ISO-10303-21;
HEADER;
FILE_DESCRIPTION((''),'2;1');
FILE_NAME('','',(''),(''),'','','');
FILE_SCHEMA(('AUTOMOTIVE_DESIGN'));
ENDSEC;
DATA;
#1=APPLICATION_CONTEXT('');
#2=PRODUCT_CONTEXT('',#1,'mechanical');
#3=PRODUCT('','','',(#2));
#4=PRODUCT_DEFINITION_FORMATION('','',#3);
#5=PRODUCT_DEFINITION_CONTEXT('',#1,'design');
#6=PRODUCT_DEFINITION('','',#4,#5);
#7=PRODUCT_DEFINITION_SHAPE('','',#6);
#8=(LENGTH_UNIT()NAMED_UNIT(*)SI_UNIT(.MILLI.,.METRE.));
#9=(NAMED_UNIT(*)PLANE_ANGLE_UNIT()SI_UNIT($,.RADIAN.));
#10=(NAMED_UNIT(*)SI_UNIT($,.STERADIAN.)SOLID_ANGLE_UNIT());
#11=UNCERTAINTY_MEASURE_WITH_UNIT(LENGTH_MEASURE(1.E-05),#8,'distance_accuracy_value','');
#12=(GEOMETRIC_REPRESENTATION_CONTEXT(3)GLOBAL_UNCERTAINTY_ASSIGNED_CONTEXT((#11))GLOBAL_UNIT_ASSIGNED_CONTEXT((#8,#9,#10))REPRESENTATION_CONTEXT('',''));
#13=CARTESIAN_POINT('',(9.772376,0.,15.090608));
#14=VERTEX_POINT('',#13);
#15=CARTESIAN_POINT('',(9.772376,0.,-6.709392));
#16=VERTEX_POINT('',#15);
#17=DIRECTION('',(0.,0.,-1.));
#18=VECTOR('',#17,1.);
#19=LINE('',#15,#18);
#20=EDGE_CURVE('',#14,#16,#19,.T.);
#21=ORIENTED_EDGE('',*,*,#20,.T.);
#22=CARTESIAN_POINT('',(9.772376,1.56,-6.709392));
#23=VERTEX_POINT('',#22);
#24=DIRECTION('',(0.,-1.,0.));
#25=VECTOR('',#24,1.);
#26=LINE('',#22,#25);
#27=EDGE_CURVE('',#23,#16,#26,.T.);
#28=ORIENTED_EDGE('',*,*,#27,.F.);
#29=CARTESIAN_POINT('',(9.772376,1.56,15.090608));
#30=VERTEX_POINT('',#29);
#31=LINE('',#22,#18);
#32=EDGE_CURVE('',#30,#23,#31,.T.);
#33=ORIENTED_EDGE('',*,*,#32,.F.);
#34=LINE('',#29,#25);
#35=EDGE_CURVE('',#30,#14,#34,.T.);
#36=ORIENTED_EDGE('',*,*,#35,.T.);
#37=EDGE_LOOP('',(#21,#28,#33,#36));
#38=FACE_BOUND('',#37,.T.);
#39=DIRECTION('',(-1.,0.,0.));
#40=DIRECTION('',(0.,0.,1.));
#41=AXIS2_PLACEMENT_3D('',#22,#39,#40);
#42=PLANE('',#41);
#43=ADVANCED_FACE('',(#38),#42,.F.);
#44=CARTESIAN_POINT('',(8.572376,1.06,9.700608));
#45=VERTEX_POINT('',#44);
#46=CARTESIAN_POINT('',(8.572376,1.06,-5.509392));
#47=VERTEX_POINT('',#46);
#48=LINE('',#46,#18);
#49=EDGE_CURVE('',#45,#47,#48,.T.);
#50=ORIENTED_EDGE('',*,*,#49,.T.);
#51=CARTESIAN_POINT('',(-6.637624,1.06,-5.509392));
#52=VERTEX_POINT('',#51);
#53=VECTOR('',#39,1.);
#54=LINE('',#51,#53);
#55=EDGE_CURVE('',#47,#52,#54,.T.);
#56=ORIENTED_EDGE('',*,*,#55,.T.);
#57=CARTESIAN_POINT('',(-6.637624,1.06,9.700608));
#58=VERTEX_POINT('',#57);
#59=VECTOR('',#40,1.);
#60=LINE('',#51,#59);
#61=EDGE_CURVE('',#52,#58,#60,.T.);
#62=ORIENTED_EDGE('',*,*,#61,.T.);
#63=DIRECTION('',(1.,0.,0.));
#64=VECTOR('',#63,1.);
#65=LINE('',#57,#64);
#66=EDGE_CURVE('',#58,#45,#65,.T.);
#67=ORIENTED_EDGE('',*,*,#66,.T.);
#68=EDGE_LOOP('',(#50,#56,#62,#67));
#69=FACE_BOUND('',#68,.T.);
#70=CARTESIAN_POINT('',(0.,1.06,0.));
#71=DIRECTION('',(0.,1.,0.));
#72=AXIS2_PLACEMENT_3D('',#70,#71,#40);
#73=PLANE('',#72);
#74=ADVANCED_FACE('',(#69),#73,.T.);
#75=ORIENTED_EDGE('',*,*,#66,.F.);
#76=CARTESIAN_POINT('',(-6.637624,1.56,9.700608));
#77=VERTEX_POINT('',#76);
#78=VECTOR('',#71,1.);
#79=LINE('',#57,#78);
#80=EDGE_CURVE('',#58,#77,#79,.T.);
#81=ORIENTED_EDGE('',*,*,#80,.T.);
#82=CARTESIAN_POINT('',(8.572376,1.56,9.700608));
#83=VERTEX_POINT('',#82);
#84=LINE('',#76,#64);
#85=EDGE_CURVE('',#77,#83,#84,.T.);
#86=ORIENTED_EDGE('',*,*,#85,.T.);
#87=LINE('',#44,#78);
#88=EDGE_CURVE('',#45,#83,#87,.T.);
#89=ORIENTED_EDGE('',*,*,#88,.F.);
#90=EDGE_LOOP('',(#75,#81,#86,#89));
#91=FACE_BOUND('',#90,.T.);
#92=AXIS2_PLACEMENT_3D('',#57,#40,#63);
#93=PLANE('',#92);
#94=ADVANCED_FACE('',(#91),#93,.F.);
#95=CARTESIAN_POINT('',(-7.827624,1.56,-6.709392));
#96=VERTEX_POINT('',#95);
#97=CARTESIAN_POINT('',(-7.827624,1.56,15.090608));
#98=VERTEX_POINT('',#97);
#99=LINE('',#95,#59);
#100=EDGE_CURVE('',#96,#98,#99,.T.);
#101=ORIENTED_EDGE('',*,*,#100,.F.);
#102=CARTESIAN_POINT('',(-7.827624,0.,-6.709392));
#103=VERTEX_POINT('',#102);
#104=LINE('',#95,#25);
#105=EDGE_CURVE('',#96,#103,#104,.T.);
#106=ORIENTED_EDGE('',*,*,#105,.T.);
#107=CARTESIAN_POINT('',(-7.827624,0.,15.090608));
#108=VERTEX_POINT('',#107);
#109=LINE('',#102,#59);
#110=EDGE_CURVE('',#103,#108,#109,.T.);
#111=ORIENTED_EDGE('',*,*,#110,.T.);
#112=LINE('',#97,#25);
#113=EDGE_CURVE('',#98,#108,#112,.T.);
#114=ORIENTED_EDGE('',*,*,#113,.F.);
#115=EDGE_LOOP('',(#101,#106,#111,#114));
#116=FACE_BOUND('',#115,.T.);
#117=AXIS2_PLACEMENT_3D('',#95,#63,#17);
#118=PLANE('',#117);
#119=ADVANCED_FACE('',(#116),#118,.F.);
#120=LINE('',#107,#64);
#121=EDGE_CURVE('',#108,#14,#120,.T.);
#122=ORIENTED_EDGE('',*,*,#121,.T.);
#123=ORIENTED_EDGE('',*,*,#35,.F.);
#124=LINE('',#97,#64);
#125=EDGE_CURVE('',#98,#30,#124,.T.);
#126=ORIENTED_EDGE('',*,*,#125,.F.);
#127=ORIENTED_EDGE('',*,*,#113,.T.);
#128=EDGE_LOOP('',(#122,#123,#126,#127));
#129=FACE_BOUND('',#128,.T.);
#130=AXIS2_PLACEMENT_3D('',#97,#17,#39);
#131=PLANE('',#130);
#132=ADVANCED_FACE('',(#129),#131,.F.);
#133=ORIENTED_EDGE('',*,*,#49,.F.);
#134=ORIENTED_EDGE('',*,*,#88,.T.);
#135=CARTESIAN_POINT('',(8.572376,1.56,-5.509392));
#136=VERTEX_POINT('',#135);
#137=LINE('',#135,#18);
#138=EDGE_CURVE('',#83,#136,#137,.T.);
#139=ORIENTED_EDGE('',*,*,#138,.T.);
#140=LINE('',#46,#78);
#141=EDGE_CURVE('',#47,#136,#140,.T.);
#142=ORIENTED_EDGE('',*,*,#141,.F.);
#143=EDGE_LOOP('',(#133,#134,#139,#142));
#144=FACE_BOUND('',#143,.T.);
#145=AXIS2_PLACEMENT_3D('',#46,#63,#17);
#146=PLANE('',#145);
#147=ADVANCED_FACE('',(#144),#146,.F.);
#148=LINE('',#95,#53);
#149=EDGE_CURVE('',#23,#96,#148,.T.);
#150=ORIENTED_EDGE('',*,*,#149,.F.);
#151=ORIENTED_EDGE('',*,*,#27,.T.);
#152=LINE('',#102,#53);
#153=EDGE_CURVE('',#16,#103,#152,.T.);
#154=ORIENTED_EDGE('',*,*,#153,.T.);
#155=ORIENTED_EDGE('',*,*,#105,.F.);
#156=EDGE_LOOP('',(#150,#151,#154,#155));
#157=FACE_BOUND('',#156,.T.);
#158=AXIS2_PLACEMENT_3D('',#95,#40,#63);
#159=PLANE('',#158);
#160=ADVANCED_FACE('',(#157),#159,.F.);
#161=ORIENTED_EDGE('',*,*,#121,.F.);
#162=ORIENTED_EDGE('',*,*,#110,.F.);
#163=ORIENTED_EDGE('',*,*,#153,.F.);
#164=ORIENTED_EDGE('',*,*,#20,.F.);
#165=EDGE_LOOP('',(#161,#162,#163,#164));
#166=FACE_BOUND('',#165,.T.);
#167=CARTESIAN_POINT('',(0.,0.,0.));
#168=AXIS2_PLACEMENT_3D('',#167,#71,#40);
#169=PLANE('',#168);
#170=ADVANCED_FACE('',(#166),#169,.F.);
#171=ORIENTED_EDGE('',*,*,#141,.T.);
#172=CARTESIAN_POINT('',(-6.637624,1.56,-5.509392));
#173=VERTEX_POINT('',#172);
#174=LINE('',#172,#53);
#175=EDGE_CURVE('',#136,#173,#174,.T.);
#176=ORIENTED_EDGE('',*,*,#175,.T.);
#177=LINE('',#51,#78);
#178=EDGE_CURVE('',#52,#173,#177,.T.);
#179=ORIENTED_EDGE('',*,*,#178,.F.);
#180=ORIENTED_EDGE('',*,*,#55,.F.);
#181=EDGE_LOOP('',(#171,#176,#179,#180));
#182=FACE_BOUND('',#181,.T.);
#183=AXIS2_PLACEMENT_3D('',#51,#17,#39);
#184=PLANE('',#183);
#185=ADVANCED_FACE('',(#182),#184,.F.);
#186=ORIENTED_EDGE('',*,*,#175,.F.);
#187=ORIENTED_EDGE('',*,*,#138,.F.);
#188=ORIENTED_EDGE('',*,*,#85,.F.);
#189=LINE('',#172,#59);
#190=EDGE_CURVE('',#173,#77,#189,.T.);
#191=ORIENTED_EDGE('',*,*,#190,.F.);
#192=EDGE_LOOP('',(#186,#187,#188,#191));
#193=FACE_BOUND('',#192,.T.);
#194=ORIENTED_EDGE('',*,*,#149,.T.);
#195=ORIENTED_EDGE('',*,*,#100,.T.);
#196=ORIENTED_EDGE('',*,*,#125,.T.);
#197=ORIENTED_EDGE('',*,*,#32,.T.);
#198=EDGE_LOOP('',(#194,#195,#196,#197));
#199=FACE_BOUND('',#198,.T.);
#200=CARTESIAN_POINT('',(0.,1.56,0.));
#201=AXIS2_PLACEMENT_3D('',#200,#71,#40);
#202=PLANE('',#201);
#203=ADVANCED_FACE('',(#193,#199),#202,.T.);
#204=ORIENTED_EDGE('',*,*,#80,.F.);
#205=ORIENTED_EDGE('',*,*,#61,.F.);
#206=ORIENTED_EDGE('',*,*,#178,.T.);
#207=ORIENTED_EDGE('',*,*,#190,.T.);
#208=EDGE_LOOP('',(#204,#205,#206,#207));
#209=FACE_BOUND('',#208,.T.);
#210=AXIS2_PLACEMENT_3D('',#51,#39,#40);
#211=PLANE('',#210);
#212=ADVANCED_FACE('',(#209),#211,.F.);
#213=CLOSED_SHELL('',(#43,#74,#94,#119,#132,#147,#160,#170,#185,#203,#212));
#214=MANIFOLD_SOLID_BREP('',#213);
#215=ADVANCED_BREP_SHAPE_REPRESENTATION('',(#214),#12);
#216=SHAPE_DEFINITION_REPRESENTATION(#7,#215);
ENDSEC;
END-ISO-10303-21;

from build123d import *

# Parameters (mm, degrees)
SKETCH_1_W          = 17.6
SKETCH_1_H          = 21.8
EXTRUDE_1_DEPTH     = 1.56
SKETCH_2_W          = 15.21
SKETCH_2_H          = 15.21
CUT_EXTRUDE_1_DEPTH = 0.5


with BuildPart() as part:
    # 草图1 → 凸台-拉伸1 (new body)
    with BuildSketch(Plane(origin=(0, 0, 0), x_dir=(1, 0, 0), z_dir=(0, 1, 0))):
        with Locations((0.972375691, -4.190607735)):
            Rectangle(SKETCH_1_W, SKETCH_1_H)
    extrude(amount=EXTRUDE_1_DEPTH)

    # 草图2 → 切除-拉伸1 (cut)
    with BuildSketch(Plane(origin=(0, 1.56, 0), x_dir=(1, 0, 0), z_dir=(0, 1, 0))):
        with Locations((0.967375691, -2.095607735)):
            Rectangle(SKETCH_2_W, SKETCH_2_H)
    extrude(amount=-CUT_EXTRUDE_1_DEPTH, mode=Mode.SUBTRACT)


solid = part.part
